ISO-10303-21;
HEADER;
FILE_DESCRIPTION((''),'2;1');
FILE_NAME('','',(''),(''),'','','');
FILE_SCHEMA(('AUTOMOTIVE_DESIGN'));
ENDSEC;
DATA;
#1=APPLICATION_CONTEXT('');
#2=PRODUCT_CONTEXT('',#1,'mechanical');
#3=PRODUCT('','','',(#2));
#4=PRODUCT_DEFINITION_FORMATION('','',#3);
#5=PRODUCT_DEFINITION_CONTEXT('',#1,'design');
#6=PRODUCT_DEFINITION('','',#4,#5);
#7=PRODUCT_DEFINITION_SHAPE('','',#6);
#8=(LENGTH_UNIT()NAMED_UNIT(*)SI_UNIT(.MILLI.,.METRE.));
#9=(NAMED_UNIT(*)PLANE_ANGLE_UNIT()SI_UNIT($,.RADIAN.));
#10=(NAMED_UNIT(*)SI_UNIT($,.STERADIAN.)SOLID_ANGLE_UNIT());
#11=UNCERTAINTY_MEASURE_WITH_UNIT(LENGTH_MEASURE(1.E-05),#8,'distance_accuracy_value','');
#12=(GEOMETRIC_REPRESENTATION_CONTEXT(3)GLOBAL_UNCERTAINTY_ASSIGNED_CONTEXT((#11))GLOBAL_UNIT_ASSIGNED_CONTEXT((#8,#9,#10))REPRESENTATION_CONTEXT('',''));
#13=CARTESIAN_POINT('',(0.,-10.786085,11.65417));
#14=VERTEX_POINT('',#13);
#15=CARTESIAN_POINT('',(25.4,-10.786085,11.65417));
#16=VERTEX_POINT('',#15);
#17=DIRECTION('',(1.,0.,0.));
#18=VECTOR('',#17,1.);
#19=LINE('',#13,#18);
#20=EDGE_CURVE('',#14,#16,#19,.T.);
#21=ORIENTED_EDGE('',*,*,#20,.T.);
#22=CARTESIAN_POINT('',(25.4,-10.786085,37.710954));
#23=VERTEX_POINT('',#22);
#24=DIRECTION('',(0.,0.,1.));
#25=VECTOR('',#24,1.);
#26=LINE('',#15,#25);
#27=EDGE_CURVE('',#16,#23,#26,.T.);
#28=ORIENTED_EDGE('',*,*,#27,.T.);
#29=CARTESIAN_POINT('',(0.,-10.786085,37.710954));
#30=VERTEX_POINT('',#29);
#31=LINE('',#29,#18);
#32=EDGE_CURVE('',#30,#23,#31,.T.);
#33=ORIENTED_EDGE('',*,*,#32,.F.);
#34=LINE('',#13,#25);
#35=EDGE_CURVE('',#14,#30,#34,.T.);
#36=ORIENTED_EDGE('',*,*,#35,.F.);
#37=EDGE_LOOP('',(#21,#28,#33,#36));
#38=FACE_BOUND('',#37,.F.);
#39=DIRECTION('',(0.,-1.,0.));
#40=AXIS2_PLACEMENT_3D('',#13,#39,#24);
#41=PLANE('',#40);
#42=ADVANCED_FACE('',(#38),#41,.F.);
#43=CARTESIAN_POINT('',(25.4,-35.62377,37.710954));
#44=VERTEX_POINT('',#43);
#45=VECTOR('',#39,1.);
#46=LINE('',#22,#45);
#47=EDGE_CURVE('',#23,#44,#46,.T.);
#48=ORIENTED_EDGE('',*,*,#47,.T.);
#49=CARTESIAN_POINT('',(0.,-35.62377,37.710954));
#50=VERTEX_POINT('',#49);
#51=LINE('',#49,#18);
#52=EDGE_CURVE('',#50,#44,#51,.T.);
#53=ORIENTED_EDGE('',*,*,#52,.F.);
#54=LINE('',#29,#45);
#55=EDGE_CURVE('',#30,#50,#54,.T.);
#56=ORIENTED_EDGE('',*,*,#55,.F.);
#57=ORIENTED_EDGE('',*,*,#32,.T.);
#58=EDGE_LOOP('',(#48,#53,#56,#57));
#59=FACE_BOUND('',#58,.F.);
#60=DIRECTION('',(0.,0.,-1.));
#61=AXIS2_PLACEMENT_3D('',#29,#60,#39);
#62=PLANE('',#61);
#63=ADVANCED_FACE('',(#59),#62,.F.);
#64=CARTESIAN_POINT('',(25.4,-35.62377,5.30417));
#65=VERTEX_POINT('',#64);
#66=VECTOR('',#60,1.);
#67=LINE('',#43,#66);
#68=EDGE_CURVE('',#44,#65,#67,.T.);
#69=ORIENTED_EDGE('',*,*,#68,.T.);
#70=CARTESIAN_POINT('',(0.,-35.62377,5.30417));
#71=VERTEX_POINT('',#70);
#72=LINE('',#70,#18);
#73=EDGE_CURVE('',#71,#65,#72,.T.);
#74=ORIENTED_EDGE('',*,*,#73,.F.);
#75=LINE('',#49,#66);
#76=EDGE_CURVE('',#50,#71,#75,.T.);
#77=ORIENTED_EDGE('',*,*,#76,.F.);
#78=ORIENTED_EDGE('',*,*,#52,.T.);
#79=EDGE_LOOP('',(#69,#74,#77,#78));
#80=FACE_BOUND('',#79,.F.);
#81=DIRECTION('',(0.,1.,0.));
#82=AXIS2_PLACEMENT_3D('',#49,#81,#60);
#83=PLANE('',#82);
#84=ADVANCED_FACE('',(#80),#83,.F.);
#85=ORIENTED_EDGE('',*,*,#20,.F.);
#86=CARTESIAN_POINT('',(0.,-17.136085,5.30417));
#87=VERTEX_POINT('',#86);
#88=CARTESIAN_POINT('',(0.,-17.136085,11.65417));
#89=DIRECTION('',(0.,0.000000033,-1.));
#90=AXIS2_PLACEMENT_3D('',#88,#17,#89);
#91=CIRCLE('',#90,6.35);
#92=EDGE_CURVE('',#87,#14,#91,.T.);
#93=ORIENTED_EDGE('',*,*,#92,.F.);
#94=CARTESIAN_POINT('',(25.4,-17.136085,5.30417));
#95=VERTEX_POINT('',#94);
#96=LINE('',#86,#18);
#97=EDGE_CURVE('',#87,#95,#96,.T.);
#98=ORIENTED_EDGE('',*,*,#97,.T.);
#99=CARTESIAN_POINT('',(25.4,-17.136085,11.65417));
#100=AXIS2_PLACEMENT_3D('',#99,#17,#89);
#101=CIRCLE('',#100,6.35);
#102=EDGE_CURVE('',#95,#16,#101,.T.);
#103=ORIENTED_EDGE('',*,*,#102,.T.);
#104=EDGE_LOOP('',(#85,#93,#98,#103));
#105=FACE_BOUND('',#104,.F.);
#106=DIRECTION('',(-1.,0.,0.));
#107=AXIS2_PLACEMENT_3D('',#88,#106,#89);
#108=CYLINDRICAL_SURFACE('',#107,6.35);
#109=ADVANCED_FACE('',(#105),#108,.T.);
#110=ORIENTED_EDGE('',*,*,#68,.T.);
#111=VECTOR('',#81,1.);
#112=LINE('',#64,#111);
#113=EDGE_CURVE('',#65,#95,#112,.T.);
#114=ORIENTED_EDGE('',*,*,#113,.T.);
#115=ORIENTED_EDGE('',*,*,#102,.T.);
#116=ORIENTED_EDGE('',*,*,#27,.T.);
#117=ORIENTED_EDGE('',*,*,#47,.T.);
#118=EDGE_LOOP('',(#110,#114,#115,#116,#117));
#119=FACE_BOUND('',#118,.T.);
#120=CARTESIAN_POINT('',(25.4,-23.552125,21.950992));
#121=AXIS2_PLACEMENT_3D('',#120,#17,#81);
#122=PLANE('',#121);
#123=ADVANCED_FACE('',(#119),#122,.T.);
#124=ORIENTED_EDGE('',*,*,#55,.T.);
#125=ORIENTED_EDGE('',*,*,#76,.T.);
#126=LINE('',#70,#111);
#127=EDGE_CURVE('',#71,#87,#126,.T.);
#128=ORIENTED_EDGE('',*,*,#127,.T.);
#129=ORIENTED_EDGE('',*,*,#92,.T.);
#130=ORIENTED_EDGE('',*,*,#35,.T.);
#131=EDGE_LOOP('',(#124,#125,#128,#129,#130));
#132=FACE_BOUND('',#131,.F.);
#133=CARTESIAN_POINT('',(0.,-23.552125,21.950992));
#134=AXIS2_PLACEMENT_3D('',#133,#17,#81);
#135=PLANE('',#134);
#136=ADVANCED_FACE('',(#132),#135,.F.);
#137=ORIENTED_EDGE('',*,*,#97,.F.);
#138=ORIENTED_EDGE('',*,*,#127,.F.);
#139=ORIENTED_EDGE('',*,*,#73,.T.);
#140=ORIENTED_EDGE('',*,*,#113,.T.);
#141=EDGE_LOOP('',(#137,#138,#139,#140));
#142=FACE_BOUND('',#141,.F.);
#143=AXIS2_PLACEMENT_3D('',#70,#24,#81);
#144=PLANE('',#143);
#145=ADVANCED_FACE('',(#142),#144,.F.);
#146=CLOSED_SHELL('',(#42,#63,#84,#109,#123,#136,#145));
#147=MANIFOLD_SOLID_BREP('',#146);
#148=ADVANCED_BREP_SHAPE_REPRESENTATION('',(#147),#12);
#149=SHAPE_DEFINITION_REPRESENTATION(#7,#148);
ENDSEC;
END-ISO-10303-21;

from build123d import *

# Parameters (mm, degrees)
F1_DEPTH = 25.4


with BuildPart() as f1:
    # F0 (on Right) → F1 (new body)
    with BuildSketch(Plane.YZ):
        with BuildLine():
            Line((-10.786085, 37.710954), (-35.62377, 37.710954))
            Line((-35.62377, 37.710954), (-35.62377, 5.30417))
            Line((-35.62377, 5.30417), (-17.136085, 5.30417))
            ThreePointArc((-17.136085, 5.30417), (-12.645957, 7.164042), (-10.786085, 11.65417))
            Line((-10.786085, 11.65417), (-10.786085, 37.710954))
        make_face()
    extrude(amount=F1_DEPTH)


solid = f1.part
